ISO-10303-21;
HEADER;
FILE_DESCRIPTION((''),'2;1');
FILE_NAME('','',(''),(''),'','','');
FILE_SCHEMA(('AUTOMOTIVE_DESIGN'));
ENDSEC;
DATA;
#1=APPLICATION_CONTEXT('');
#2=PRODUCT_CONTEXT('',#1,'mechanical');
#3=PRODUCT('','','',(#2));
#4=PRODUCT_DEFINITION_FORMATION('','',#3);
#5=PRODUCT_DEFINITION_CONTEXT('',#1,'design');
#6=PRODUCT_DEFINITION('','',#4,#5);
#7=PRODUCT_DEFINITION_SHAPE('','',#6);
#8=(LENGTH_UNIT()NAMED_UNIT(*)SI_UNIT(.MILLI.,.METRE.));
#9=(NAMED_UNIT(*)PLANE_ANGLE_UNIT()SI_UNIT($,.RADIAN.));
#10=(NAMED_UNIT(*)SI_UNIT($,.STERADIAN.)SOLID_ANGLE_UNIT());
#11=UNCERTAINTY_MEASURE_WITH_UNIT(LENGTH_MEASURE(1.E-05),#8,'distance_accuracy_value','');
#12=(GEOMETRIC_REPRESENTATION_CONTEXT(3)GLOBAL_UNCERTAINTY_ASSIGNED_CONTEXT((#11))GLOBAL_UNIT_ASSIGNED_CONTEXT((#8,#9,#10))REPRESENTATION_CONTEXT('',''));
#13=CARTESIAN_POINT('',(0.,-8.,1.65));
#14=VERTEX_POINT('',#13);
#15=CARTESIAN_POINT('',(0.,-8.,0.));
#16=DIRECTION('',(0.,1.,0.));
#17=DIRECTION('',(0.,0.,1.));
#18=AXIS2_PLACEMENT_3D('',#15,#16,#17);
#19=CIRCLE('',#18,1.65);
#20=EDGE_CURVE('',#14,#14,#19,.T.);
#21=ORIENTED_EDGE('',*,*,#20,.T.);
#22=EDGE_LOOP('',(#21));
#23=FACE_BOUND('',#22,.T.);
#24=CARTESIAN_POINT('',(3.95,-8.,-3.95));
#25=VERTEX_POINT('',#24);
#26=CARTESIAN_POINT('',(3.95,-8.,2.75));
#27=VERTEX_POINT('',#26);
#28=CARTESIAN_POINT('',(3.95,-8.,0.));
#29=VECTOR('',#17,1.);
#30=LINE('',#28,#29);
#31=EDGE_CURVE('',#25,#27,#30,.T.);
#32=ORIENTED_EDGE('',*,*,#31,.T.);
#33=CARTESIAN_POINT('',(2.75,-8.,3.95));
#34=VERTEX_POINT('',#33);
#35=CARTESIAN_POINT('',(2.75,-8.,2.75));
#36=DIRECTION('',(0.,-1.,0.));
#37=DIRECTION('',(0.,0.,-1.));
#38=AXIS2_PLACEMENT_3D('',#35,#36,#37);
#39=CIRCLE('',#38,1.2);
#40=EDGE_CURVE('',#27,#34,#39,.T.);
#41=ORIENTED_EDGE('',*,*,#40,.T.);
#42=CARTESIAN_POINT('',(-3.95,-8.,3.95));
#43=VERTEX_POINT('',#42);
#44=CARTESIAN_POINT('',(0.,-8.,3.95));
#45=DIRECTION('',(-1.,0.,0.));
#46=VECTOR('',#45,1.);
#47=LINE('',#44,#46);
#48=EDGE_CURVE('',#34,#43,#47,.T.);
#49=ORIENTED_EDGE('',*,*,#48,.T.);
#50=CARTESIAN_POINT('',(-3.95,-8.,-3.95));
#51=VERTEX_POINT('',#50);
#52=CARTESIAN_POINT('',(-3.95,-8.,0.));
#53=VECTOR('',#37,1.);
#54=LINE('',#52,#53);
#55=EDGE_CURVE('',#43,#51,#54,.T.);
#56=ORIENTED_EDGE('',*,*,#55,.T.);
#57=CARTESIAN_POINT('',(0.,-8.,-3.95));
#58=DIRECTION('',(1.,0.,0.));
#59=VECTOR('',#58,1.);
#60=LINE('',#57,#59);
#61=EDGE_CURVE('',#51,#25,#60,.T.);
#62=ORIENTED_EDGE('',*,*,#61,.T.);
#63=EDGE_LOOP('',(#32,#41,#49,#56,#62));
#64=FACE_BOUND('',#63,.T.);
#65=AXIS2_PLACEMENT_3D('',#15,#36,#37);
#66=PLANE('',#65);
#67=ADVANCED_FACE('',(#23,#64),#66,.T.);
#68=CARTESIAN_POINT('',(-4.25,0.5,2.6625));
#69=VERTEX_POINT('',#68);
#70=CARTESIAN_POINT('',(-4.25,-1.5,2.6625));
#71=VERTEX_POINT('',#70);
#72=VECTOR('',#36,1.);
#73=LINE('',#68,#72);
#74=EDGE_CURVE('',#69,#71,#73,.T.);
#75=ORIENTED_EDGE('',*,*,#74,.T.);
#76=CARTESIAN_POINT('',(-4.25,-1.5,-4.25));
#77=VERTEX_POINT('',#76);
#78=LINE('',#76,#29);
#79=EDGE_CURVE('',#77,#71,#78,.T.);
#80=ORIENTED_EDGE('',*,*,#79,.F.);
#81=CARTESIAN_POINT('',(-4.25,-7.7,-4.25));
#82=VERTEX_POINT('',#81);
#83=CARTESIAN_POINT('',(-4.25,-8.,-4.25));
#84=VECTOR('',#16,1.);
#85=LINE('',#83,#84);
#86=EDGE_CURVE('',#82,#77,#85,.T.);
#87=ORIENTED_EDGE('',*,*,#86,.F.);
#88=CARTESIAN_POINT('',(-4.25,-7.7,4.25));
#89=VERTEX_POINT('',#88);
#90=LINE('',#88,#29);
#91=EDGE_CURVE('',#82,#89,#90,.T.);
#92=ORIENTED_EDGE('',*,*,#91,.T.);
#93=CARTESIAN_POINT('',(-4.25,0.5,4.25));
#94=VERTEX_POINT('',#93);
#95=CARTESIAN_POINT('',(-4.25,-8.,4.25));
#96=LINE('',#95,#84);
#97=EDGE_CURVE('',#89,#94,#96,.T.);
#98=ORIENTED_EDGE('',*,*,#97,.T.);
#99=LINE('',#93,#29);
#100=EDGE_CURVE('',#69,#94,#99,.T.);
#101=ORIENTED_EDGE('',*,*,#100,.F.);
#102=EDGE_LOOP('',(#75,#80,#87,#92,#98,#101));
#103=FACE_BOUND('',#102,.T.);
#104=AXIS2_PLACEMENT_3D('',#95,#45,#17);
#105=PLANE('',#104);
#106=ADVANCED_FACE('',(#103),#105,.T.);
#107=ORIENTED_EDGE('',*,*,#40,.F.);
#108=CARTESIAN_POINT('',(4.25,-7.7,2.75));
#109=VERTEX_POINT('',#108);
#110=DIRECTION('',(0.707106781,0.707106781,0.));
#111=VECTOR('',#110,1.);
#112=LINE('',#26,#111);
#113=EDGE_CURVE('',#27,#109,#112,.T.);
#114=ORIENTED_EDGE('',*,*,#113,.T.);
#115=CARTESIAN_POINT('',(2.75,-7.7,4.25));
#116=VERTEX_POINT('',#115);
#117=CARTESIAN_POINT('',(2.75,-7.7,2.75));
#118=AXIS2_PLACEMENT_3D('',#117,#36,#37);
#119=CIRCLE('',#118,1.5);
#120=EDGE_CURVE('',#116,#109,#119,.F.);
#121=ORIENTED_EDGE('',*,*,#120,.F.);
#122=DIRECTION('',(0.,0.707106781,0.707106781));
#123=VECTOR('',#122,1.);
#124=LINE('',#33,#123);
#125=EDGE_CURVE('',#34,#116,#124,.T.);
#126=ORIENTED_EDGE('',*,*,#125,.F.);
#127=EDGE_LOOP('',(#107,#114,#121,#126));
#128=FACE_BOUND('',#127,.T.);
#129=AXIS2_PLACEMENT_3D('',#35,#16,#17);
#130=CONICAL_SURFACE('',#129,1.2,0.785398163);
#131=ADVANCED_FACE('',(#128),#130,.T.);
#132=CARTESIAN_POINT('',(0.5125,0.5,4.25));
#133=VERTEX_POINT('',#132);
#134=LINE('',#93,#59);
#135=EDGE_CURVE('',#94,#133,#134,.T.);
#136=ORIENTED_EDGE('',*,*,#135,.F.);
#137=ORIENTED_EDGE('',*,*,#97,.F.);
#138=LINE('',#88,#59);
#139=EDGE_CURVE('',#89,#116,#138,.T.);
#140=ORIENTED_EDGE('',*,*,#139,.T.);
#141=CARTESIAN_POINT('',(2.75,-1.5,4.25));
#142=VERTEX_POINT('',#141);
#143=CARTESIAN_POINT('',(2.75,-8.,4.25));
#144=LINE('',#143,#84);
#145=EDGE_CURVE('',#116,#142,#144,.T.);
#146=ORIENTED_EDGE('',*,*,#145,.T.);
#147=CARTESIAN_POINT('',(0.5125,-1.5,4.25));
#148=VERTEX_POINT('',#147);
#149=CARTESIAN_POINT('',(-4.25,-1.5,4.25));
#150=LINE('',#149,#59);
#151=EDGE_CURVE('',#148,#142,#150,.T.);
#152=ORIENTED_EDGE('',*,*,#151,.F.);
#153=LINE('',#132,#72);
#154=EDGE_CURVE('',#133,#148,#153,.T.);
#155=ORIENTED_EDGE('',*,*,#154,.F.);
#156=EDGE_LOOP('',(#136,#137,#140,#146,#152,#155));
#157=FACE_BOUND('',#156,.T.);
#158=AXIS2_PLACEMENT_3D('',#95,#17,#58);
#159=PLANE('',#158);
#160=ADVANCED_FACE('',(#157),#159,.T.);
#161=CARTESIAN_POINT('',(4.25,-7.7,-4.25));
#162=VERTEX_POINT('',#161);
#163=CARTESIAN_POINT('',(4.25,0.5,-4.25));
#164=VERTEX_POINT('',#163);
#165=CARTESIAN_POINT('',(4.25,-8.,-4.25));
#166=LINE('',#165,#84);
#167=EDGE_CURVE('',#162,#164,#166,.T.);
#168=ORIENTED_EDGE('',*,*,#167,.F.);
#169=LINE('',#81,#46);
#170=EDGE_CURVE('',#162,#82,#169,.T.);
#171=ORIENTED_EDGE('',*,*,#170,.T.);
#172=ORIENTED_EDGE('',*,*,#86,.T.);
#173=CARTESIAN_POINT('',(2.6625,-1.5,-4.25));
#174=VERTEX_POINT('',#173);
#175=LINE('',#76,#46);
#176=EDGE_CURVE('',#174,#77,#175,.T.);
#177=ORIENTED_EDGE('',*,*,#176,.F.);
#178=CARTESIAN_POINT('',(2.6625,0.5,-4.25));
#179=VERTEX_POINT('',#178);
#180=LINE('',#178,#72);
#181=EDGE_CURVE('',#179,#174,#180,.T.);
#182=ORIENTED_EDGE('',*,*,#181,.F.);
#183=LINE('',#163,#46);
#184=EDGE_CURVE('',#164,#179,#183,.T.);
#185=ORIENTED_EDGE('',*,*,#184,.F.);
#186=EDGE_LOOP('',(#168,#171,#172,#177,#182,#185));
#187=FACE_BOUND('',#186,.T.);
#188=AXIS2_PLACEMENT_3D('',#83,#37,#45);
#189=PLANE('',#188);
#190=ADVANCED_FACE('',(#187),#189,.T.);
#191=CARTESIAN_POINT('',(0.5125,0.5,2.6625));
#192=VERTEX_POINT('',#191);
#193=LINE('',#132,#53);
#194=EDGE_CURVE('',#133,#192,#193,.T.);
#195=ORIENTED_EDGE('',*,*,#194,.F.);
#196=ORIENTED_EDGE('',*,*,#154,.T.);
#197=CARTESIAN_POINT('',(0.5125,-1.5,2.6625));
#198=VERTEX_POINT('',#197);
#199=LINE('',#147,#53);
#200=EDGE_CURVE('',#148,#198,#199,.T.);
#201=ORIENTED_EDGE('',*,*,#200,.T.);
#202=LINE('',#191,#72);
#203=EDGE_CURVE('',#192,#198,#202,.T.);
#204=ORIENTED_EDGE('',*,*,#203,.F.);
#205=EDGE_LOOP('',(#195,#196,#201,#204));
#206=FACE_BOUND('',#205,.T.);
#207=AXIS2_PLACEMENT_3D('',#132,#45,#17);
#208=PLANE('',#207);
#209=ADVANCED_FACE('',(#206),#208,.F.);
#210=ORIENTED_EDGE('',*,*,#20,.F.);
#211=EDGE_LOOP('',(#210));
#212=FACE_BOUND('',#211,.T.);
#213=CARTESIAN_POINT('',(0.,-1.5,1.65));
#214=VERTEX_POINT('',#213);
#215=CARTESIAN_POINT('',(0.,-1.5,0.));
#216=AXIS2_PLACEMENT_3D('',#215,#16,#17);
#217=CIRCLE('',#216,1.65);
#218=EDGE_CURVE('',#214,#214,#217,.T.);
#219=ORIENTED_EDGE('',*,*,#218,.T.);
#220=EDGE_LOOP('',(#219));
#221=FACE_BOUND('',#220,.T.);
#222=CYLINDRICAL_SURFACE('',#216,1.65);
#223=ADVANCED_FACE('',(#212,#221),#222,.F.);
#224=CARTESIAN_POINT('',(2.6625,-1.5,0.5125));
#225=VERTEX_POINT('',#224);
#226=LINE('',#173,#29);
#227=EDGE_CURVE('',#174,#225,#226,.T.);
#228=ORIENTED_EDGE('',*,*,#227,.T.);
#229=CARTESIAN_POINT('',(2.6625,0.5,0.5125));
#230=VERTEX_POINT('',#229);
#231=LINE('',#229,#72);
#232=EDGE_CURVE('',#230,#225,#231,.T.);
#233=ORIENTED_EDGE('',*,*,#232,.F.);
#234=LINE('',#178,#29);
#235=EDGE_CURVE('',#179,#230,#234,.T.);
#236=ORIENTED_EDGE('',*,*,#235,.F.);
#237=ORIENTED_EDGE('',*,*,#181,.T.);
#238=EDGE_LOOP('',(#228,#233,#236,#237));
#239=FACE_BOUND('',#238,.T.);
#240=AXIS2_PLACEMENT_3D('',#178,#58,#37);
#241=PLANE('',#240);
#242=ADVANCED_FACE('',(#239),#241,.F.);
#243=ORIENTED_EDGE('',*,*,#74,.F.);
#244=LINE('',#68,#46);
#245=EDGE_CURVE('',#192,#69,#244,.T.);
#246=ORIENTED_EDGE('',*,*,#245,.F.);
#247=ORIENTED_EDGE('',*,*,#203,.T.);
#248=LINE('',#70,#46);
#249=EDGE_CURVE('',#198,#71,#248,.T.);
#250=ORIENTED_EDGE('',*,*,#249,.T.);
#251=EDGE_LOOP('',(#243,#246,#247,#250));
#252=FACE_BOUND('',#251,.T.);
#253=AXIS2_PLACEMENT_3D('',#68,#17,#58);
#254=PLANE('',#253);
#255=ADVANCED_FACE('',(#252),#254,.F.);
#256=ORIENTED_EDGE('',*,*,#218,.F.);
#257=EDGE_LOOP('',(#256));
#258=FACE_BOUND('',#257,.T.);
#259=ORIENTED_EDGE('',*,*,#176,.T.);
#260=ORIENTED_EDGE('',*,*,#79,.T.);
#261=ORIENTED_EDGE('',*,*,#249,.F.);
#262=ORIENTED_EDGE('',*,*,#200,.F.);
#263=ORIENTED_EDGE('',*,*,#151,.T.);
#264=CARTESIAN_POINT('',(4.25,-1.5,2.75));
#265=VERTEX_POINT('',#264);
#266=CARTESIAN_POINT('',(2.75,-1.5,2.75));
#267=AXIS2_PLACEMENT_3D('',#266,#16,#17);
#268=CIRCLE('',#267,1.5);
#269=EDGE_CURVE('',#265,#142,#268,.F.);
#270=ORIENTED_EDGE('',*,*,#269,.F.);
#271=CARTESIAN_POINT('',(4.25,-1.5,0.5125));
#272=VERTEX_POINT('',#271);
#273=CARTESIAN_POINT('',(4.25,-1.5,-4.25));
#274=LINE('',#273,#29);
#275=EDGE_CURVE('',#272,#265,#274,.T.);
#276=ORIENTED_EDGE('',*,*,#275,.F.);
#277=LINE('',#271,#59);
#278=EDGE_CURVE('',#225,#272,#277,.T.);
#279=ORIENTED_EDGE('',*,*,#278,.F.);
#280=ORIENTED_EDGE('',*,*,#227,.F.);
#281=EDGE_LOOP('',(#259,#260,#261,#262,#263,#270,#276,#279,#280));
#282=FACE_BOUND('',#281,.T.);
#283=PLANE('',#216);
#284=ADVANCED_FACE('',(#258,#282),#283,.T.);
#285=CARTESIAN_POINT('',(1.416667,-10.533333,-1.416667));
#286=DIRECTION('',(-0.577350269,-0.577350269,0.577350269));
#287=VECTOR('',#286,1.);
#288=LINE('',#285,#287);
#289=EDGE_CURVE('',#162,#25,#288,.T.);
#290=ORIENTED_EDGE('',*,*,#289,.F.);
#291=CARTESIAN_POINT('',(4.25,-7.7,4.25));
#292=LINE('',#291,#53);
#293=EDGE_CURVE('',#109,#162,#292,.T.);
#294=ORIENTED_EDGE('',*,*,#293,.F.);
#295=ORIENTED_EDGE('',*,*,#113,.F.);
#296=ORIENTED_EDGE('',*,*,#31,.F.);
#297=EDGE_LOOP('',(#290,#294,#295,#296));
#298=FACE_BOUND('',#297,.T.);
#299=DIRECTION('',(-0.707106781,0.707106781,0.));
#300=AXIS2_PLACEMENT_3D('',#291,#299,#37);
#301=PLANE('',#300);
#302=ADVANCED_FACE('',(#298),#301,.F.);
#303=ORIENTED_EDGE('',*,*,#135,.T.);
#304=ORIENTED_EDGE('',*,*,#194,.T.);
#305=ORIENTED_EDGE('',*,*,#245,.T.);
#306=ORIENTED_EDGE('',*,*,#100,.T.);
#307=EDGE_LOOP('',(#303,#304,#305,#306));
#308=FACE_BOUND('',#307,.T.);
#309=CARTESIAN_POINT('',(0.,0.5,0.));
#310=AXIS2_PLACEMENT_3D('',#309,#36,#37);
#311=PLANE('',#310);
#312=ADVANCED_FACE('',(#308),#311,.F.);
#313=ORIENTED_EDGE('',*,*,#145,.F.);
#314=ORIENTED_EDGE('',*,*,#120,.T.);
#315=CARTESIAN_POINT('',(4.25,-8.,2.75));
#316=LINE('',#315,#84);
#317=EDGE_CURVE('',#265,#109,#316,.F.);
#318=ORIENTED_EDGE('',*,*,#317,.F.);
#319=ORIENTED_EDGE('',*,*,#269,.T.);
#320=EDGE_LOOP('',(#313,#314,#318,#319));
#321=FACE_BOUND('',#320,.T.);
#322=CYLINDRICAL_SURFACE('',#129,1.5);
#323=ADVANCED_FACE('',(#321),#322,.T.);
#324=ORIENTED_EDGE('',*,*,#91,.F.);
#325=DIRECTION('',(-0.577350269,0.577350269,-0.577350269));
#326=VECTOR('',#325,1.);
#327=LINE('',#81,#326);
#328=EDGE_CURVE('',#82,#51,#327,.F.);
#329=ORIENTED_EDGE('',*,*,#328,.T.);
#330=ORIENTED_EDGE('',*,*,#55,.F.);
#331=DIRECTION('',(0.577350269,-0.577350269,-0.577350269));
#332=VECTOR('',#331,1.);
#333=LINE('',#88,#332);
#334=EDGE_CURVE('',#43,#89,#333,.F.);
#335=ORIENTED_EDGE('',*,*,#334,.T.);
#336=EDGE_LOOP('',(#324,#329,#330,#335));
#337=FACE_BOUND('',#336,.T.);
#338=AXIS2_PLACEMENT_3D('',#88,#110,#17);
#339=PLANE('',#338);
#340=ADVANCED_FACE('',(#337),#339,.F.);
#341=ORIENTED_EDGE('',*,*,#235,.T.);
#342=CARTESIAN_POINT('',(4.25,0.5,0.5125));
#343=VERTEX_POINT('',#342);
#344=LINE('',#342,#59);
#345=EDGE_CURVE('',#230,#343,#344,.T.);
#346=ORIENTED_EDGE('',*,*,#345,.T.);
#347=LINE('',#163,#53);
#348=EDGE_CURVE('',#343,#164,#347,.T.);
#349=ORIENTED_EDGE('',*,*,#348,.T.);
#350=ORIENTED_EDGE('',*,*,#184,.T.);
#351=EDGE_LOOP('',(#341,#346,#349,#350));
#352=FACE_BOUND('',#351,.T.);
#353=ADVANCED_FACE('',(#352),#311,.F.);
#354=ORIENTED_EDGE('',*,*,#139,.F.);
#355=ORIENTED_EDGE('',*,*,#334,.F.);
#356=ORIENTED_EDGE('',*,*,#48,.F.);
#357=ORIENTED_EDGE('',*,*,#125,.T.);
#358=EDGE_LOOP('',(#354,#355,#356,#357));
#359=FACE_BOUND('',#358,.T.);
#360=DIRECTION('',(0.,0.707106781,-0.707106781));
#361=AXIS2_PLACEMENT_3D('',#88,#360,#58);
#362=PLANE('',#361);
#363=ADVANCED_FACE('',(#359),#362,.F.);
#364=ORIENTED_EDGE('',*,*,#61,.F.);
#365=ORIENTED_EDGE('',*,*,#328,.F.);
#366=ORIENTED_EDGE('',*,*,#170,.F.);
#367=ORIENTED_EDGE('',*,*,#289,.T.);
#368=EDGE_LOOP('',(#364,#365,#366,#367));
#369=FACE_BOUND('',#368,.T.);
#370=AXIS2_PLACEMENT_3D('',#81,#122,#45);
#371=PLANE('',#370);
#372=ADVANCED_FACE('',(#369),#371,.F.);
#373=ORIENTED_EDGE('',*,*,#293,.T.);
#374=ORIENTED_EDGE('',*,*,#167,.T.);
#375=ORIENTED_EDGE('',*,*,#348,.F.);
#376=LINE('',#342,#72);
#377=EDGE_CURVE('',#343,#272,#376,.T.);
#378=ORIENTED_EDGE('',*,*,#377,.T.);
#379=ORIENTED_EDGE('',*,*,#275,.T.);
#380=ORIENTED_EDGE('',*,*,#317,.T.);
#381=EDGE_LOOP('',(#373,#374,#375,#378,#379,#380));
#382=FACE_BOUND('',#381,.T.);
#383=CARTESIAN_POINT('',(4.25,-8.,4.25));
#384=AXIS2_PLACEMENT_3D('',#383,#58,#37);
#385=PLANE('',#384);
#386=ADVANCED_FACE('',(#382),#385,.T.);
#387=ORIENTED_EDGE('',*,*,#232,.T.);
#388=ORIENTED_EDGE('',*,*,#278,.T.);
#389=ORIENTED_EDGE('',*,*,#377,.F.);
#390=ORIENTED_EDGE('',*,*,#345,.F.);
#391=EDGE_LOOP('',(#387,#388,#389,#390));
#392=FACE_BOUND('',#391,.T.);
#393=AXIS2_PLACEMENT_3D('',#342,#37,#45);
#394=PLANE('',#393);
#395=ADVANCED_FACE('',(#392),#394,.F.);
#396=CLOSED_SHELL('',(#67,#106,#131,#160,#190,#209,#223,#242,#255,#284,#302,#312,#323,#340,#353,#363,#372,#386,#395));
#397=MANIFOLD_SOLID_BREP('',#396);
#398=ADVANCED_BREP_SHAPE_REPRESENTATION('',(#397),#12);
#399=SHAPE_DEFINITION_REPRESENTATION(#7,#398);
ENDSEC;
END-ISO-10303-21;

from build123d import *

# Parameters (mm, degrees)
BASE_W              = 8.5
BASE_H              = 8.5
BOSS_EXTRUDE1_DEPTH = 8
CUTOUT_W            = 7
CUTOUT_H            = 7
CUT_EXTRUDE1_DEPTH  = 1.5
SKETCH3_W           = 1.5
SKETCH3_H           = 1.5
CUT_EXTRUDE2_DEPTH  = 12.448253142
FILLET3_R           = 0.508
FILLET4_R           = 1.5
M4_TAPPED_HOLE1_D   = 3.3
CHAMFER1_SIZE       = 0.3
CUT_EXTRUDE3_START  = -1.5
CUT_EXTRUDE3_DEPTH  = 1.5
SKETCH16_W          = 1.5875
SKETCH16_H          = 4.7625
SKETCH16_W_2        = 4.7625
SKETCH16_H_2        = 1.5875
BOSS_EXTRUDE2_DEPTH = 2


with BuildPart() as part:
    # Base → Boss-Extrude1 (new body)
    with BuildSketch(Plane(origin=(0, 0, 0), x_dir=(1, 0, 0), z_dir=(0, 1, 0))):
        Rectangle(BASE_W, BASE_H)
    extrude(amount=-BOSS_EXTRUDE1_DEPTH)

    # Cutout → Cut-Extrude1 (cut)
    with BuildSketch(Plane(origin=(0, 0, 0), x_dir=(1, 0, 0), z_dir=(0, 1, 0))):
        with Locations((-0.75, 0.75)):
            Rectangle(CUTOUT_W, CUTOUT_H)
    extrude(amount=-CUT_EXTRUDE1_DEPTH, mode=Mode.SUBTRACT)

    # Sketch3 → Cut-Extrude2 (cut, through all)
    with BuildSketch(Plane.ZY.offset(-2.75)):
        with Locations((-3.5, -0.75)):
            Rectangle(SKETCH3_W, SKETCH3_H)
    cut_extrude2 = extrude(amount=-CUT_EXTRUDE2_DEPTH, mode=Mode.SUBTRACT)

    # Mirror1: Cut-Extrude2 across plane
    add(cut_extrude2.mirror(Plane(origin=(0, 0, 0), x_dir=(0.7071067811865476, 0, 0.7071067811865475), z_dir=(0.7071067811865475, 0, -0.7071067811865476))), mode=Mode.SUBTRACT)

    # Fillet3
    fillet3_edges = [part.edges().sort_by_distance(p)[0] for p in [
        (2.75, -0.75, 2.75),
    ]]
    fillet(fillet3_edges, radius=FILLET3_R)

    # Fillet4
    fillet4_edges = [part.edges().sort_by_distance(p)[0] for p in [
        (4.25, -4, 4.25),
    ]]
    fillet(fillet4_edges, radius=FILLET4_R)

    # M4 Tapped Hole1 (through all)
    with Locations(Plane(origin=(0, -1.5, 0), x_dir=(1, 0, 0), z_dir=(0, 1, 0))):
        with Locations((0, 0)):
            Hole(M4_TAPPED_HOLE1_D / 2)

    # Chamfer1
    chamfer1_edges = [part.edges().sort_by_distance(p)[0] for p in [
        (-4.25, -8, 0),
        (-0.75, -8, 4.25),
        (4.25, -8, -0.75),
        (3.810660172, -8, 3.810660172),
        (0, -8, -4.25),
    ]]
    chamfer(chamfer1_edges, length=CHAMFER1_SIZE)

    # Sketch14 → Cut-Extrude3 (cut)
    with BuildSketch(Plane(origin=(0, 0, 0), x_dir=(1, 0, 0), z_dir=(0, 1, 0)).offset(CUT_EXTRUDE3_START)):
        with BuildLine():
            Line((-2.75, -4.25), (2.75, -4.25))
            ThreePointArc((2.75, -4.25), (3.810660172, -3.810660172), (4.25, -2.75))
            Line((4.25, -2.75), (4.25, 2.75))
            Line((4.25, 2.75), (2.75, 2.75))
            Line((2.75, 2.75), (2.75, -2.242))
            ThreePointArc((2.75, -2.242), (2.601210245, -2.601210245), (2.242, -2.75))
            Line((2.242, -2.75), (-2.75, -2.75))
            Line((-2.75, -2.75), (-2.75, -4.25))
        make_face()
    extrude(amount=CUT_EXTRUDE3_DEPTH, mode=Mode.SUBTRACT)

    # Sketch16 → Boss-Extrude2 (add)
    with BuildSketch(Plane(origin=(0, -1.5, 0), x_dir=(1, 0, 0), z_dir=(0, 1, 0))):
        with Locations((3.45625, 1.86875)):
            Rectangle(SKETCH16_W, SKETCH16_H)
        with Locations((-1.86875, -3.45625)):
            Rectangle(SKETCH16_W_2, SKETCH16_H_2)
    extrude(amount=BOSS_EXTRUDE2_DEPTH)


solid = part.part
